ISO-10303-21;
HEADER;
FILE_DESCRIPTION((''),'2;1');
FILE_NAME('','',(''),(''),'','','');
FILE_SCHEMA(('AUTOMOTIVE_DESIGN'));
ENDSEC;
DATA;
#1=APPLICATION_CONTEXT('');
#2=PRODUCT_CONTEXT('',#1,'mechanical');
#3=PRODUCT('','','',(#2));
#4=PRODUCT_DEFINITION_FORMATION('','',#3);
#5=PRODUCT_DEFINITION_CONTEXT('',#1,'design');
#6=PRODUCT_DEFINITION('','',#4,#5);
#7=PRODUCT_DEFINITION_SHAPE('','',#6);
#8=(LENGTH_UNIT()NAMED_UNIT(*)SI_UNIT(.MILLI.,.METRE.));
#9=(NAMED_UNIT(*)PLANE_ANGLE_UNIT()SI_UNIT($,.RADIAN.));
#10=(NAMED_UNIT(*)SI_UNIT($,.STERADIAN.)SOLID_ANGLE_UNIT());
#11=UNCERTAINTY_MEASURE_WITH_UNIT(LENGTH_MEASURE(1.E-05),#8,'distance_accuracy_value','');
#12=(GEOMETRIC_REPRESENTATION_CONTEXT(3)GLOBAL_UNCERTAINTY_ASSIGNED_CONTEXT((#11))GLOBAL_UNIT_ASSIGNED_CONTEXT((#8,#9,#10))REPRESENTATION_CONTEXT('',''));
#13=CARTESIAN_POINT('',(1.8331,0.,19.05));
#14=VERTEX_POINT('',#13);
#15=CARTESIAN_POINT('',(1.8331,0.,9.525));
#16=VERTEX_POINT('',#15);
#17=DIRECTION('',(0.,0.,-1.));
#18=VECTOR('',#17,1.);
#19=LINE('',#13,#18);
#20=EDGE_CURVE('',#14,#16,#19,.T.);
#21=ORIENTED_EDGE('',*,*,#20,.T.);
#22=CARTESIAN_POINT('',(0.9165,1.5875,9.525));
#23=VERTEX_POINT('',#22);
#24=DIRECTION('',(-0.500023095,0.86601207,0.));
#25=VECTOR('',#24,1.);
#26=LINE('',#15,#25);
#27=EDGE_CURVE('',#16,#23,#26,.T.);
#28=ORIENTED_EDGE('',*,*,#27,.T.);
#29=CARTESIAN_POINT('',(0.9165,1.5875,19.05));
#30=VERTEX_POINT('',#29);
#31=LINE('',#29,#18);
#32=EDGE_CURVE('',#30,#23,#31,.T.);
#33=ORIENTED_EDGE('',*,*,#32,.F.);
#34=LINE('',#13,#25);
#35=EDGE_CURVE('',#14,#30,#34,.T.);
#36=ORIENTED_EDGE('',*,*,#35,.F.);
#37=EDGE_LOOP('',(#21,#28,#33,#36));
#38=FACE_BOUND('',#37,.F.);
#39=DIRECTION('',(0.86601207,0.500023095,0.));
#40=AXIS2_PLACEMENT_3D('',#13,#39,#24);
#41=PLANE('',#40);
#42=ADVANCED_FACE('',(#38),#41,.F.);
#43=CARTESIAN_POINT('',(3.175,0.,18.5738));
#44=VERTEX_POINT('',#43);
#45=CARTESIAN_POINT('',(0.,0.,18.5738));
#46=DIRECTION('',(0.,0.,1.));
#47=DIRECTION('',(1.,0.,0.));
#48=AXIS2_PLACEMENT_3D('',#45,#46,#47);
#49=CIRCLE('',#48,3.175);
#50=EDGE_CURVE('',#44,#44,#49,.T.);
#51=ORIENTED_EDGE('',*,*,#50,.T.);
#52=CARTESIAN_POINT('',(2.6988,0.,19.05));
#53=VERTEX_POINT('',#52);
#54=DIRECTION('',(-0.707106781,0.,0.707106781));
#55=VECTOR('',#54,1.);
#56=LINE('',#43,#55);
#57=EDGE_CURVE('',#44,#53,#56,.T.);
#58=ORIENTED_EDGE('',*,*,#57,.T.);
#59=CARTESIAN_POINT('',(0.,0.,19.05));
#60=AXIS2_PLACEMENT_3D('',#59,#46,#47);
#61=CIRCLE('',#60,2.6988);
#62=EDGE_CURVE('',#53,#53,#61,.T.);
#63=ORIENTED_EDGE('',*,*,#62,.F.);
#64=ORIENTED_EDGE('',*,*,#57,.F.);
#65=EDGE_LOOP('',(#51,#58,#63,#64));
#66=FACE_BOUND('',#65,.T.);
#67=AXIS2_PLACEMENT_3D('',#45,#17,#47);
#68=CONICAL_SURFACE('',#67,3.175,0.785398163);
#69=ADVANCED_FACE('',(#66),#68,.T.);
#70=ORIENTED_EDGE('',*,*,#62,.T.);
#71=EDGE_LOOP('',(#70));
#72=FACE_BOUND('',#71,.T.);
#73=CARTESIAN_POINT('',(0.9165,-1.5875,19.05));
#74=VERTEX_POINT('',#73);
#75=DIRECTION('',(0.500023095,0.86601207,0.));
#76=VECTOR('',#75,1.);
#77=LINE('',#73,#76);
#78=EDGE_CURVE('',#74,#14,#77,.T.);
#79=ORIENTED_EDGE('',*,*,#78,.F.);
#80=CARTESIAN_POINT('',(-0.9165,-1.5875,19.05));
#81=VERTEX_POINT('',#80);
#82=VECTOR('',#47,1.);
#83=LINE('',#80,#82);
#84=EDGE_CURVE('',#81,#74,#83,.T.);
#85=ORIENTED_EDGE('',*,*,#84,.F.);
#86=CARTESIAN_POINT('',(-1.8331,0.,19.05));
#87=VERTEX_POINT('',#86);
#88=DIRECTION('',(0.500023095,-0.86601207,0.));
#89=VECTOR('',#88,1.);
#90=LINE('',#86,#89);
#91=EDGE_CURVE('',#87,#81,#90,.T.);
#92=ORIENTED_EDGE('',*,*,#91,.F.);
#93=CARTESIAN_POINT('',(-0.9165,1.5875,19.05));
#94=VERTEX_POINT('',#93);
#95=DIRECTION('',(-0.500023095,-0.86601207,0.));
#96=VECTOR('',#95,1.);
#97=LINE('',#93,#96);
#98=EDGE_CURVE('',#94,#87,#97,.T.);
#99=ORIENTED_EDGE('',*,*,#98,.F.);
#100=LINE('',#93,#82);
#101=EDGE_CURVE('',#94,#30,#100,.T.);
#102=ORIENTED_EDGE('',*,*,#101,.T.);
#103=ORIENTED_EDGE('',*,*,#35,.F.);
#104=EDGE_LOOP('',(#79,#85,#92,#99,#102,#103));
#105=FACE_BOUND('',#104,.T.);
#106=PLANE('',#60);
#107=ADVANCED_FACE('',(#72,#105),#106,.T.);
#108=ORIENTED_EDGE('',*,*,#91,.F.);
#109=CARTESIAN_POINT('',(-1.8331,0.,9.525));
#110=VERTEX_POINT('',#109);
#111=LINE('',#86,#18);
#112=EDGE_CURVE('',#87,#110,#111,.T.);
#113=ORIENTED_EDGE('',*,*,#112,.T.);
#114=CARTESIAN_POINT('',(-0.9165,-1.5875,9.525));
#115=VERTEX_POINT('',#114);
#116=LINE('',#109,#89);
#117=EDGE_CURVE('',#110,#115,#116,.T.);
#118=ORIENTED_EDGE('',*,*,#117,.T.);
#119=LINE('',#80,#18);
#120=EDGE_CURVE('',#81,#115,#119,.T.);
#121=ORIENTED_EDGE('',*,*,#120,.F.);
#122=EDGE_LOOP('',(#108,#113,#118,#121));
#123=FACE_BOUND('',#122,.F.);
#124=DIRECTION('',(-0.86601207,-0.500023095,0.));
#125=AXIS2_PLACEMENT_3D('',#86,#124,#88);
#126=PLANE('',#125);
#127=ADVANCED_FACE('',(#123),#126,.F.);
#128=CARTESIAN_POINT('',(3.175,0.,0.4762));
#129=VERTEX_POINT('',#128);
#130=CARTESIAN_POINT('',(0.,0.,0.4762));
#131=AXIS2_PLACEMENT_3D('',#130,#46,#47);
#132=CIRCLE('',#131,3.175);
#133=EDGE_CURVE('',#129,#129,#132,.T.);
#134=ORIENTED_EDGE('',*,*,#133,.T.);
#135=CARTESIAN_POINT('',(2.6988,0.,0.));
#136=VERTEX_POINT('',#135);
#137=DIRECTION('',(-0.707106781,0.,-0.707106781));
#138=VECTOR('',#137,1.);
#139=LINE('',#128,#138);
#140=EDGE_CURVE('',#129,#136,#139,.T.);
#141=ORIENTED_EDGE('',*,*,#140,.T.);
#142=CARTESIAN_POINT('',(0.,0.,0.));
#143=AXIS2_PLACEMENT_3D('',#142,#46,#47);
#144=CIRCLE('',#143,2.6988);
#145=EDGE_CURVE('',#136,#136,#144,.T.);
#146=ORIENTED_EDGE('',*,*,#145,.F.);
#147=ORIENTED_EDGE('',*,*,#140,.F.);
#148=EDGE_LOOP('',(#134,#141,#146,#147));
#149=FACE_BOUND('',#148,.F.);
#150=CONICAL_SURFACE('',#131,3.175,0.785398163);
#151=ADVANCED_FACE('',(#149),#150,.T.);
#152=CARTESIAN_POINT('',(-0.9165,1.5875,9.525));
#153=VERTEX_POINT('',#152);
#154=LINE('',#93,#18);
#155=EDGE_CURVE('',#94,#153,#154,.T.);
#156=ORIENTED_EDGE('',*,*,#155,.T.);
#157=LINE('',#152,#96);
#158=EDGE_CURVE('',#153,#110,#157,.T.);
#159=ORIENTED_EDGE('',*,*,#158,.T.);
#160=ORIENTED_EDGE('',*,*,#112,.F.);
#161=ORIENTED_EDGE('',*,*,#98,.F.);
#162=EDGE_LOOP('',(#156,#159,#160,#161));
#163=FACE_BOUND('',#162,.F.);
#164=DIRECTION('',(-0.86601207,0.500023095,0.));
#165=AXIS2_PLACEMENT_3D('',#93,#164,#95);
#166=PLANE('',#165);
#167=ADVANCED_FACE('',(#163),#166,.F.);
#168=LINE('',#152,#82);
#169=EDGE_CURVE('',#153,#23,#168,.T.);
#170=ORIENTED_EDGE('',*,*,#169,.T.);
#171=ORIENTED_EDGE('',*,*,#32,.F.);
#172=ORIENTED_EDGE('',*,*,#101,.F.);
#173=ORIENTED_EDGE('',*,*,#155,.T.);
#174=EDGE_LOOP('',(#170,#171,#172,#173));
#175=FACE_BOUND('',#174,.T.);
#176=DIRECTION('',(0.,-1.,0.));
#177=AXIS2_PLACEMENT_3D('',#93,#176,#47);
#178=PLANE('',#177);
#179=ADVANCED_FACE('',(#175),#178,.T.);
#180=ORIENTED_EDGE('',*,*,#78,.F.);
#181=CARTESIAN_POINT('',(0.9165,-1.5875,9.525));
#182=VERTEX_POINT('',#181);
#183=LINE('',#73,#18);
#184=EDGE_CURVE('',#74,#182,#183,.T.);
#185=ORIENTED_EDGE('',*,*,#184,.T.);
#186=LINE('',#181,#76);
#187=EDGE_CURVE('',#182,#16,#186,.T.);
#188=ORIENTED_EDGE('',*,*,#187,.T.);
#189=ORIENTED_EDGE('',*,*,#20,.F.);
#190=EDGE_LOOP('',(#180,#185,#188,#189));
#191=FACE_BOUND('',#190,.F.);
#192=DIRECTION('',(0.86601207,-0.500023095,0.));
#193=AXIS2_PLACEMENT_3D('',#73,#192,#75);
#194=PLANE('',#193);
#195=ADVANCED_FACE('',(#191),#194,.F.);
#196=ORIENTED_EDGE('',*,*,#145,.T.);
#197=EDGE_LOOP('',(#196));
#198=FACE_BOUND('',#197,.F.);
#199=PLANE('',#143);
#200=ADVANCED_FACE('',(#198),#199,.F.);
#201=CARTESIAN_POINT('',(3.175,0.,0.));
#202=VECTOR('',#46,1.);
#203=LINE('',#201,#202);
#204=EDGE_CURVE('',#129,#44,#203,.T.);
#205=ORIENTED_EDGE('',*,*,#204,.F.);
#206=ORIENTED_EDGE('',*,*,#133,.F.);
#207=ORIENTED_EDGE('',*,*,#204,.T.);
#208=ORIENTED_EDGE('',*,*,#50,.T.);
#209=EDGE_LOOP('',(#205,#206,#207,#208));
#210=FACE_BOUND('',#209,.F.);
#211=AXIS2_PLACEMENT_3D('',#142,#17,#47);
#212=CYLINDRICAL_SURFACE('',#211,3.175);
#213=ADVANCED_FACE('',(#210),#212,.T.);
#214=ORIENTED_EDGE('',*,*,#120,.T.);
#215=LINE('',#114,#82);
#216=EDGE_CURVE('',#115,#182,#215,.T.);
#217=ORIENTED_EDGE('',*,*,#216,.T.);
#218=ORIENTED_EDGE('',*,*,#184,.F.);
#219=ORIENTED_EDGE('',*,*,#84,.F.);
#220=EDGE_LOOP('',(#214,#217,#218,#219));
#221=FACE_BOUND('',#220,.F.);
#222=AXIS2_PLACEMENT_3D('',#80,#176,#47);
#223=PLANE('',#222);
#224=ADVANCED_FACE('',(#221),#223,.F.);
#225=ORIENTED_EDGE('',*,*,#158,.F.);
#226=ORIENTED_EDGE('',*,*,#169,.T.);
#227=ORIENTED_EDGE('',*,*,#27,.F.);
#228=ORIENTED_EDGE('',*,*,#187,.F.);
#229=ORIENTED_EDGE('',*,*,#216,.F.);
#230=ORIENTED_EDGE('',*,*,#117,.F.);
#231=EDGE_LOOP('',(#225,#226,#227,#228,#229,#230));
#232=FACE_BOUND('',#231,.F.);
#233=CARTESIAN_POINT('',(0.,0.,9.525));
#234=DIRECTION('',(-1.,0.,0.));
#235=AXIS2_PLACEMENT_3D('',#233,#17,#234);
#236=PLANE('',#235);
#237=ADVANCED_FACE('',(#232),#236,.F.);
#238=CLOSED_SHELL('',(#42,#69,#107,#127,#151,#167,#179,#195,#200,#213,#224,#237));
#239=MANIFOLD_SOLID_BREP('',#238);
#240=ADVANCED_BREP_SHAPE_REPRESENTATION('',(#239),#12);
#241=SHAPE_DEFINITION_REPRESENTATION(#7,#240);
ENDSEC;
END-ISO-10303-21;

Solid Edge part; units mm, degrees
sketch "Sketch1" plane through (0, 0, 0) normal (0, 0, 1) x (1, 0, 0)
  circle A0 centre (0, 0) radius 3.175
  dimension "D1" = 6.35
extrude "Protrusion1" add sketch "Sketch1" along normal blind 19.05
chamfer "Chamfer1" distance 0.4762 angle 45 2 edges at (-3.175, 0, 0) (-3.175, 0, 19.05)
sketch "Sketch2" plane through (0, 0, 19.05) normal (0, 0, 1) x (1, 0, 0)
  line L0 (-0.9165, 1.5875) -> (0.9165, 1.5875)
  line L1 (1.8331, 0) -> (0.9165, 1.5875)
  line L2 (0.9165, -1.5875) -> (1.8331, 0)
  line L3 (-0.9165, -1.5875) -> (0.9165, -1.5875)
  line L4 (-1.8331, 0) -> (-0.9165, -1.5875)
  line L5 (-0.9165, 1.5875) -> (-1.8331, 0)
  dimension "D1" = 3.175
extrude "Cutout1" cut sketch "Sketch2" against normal blind 9.525
properties part number "24100356"
